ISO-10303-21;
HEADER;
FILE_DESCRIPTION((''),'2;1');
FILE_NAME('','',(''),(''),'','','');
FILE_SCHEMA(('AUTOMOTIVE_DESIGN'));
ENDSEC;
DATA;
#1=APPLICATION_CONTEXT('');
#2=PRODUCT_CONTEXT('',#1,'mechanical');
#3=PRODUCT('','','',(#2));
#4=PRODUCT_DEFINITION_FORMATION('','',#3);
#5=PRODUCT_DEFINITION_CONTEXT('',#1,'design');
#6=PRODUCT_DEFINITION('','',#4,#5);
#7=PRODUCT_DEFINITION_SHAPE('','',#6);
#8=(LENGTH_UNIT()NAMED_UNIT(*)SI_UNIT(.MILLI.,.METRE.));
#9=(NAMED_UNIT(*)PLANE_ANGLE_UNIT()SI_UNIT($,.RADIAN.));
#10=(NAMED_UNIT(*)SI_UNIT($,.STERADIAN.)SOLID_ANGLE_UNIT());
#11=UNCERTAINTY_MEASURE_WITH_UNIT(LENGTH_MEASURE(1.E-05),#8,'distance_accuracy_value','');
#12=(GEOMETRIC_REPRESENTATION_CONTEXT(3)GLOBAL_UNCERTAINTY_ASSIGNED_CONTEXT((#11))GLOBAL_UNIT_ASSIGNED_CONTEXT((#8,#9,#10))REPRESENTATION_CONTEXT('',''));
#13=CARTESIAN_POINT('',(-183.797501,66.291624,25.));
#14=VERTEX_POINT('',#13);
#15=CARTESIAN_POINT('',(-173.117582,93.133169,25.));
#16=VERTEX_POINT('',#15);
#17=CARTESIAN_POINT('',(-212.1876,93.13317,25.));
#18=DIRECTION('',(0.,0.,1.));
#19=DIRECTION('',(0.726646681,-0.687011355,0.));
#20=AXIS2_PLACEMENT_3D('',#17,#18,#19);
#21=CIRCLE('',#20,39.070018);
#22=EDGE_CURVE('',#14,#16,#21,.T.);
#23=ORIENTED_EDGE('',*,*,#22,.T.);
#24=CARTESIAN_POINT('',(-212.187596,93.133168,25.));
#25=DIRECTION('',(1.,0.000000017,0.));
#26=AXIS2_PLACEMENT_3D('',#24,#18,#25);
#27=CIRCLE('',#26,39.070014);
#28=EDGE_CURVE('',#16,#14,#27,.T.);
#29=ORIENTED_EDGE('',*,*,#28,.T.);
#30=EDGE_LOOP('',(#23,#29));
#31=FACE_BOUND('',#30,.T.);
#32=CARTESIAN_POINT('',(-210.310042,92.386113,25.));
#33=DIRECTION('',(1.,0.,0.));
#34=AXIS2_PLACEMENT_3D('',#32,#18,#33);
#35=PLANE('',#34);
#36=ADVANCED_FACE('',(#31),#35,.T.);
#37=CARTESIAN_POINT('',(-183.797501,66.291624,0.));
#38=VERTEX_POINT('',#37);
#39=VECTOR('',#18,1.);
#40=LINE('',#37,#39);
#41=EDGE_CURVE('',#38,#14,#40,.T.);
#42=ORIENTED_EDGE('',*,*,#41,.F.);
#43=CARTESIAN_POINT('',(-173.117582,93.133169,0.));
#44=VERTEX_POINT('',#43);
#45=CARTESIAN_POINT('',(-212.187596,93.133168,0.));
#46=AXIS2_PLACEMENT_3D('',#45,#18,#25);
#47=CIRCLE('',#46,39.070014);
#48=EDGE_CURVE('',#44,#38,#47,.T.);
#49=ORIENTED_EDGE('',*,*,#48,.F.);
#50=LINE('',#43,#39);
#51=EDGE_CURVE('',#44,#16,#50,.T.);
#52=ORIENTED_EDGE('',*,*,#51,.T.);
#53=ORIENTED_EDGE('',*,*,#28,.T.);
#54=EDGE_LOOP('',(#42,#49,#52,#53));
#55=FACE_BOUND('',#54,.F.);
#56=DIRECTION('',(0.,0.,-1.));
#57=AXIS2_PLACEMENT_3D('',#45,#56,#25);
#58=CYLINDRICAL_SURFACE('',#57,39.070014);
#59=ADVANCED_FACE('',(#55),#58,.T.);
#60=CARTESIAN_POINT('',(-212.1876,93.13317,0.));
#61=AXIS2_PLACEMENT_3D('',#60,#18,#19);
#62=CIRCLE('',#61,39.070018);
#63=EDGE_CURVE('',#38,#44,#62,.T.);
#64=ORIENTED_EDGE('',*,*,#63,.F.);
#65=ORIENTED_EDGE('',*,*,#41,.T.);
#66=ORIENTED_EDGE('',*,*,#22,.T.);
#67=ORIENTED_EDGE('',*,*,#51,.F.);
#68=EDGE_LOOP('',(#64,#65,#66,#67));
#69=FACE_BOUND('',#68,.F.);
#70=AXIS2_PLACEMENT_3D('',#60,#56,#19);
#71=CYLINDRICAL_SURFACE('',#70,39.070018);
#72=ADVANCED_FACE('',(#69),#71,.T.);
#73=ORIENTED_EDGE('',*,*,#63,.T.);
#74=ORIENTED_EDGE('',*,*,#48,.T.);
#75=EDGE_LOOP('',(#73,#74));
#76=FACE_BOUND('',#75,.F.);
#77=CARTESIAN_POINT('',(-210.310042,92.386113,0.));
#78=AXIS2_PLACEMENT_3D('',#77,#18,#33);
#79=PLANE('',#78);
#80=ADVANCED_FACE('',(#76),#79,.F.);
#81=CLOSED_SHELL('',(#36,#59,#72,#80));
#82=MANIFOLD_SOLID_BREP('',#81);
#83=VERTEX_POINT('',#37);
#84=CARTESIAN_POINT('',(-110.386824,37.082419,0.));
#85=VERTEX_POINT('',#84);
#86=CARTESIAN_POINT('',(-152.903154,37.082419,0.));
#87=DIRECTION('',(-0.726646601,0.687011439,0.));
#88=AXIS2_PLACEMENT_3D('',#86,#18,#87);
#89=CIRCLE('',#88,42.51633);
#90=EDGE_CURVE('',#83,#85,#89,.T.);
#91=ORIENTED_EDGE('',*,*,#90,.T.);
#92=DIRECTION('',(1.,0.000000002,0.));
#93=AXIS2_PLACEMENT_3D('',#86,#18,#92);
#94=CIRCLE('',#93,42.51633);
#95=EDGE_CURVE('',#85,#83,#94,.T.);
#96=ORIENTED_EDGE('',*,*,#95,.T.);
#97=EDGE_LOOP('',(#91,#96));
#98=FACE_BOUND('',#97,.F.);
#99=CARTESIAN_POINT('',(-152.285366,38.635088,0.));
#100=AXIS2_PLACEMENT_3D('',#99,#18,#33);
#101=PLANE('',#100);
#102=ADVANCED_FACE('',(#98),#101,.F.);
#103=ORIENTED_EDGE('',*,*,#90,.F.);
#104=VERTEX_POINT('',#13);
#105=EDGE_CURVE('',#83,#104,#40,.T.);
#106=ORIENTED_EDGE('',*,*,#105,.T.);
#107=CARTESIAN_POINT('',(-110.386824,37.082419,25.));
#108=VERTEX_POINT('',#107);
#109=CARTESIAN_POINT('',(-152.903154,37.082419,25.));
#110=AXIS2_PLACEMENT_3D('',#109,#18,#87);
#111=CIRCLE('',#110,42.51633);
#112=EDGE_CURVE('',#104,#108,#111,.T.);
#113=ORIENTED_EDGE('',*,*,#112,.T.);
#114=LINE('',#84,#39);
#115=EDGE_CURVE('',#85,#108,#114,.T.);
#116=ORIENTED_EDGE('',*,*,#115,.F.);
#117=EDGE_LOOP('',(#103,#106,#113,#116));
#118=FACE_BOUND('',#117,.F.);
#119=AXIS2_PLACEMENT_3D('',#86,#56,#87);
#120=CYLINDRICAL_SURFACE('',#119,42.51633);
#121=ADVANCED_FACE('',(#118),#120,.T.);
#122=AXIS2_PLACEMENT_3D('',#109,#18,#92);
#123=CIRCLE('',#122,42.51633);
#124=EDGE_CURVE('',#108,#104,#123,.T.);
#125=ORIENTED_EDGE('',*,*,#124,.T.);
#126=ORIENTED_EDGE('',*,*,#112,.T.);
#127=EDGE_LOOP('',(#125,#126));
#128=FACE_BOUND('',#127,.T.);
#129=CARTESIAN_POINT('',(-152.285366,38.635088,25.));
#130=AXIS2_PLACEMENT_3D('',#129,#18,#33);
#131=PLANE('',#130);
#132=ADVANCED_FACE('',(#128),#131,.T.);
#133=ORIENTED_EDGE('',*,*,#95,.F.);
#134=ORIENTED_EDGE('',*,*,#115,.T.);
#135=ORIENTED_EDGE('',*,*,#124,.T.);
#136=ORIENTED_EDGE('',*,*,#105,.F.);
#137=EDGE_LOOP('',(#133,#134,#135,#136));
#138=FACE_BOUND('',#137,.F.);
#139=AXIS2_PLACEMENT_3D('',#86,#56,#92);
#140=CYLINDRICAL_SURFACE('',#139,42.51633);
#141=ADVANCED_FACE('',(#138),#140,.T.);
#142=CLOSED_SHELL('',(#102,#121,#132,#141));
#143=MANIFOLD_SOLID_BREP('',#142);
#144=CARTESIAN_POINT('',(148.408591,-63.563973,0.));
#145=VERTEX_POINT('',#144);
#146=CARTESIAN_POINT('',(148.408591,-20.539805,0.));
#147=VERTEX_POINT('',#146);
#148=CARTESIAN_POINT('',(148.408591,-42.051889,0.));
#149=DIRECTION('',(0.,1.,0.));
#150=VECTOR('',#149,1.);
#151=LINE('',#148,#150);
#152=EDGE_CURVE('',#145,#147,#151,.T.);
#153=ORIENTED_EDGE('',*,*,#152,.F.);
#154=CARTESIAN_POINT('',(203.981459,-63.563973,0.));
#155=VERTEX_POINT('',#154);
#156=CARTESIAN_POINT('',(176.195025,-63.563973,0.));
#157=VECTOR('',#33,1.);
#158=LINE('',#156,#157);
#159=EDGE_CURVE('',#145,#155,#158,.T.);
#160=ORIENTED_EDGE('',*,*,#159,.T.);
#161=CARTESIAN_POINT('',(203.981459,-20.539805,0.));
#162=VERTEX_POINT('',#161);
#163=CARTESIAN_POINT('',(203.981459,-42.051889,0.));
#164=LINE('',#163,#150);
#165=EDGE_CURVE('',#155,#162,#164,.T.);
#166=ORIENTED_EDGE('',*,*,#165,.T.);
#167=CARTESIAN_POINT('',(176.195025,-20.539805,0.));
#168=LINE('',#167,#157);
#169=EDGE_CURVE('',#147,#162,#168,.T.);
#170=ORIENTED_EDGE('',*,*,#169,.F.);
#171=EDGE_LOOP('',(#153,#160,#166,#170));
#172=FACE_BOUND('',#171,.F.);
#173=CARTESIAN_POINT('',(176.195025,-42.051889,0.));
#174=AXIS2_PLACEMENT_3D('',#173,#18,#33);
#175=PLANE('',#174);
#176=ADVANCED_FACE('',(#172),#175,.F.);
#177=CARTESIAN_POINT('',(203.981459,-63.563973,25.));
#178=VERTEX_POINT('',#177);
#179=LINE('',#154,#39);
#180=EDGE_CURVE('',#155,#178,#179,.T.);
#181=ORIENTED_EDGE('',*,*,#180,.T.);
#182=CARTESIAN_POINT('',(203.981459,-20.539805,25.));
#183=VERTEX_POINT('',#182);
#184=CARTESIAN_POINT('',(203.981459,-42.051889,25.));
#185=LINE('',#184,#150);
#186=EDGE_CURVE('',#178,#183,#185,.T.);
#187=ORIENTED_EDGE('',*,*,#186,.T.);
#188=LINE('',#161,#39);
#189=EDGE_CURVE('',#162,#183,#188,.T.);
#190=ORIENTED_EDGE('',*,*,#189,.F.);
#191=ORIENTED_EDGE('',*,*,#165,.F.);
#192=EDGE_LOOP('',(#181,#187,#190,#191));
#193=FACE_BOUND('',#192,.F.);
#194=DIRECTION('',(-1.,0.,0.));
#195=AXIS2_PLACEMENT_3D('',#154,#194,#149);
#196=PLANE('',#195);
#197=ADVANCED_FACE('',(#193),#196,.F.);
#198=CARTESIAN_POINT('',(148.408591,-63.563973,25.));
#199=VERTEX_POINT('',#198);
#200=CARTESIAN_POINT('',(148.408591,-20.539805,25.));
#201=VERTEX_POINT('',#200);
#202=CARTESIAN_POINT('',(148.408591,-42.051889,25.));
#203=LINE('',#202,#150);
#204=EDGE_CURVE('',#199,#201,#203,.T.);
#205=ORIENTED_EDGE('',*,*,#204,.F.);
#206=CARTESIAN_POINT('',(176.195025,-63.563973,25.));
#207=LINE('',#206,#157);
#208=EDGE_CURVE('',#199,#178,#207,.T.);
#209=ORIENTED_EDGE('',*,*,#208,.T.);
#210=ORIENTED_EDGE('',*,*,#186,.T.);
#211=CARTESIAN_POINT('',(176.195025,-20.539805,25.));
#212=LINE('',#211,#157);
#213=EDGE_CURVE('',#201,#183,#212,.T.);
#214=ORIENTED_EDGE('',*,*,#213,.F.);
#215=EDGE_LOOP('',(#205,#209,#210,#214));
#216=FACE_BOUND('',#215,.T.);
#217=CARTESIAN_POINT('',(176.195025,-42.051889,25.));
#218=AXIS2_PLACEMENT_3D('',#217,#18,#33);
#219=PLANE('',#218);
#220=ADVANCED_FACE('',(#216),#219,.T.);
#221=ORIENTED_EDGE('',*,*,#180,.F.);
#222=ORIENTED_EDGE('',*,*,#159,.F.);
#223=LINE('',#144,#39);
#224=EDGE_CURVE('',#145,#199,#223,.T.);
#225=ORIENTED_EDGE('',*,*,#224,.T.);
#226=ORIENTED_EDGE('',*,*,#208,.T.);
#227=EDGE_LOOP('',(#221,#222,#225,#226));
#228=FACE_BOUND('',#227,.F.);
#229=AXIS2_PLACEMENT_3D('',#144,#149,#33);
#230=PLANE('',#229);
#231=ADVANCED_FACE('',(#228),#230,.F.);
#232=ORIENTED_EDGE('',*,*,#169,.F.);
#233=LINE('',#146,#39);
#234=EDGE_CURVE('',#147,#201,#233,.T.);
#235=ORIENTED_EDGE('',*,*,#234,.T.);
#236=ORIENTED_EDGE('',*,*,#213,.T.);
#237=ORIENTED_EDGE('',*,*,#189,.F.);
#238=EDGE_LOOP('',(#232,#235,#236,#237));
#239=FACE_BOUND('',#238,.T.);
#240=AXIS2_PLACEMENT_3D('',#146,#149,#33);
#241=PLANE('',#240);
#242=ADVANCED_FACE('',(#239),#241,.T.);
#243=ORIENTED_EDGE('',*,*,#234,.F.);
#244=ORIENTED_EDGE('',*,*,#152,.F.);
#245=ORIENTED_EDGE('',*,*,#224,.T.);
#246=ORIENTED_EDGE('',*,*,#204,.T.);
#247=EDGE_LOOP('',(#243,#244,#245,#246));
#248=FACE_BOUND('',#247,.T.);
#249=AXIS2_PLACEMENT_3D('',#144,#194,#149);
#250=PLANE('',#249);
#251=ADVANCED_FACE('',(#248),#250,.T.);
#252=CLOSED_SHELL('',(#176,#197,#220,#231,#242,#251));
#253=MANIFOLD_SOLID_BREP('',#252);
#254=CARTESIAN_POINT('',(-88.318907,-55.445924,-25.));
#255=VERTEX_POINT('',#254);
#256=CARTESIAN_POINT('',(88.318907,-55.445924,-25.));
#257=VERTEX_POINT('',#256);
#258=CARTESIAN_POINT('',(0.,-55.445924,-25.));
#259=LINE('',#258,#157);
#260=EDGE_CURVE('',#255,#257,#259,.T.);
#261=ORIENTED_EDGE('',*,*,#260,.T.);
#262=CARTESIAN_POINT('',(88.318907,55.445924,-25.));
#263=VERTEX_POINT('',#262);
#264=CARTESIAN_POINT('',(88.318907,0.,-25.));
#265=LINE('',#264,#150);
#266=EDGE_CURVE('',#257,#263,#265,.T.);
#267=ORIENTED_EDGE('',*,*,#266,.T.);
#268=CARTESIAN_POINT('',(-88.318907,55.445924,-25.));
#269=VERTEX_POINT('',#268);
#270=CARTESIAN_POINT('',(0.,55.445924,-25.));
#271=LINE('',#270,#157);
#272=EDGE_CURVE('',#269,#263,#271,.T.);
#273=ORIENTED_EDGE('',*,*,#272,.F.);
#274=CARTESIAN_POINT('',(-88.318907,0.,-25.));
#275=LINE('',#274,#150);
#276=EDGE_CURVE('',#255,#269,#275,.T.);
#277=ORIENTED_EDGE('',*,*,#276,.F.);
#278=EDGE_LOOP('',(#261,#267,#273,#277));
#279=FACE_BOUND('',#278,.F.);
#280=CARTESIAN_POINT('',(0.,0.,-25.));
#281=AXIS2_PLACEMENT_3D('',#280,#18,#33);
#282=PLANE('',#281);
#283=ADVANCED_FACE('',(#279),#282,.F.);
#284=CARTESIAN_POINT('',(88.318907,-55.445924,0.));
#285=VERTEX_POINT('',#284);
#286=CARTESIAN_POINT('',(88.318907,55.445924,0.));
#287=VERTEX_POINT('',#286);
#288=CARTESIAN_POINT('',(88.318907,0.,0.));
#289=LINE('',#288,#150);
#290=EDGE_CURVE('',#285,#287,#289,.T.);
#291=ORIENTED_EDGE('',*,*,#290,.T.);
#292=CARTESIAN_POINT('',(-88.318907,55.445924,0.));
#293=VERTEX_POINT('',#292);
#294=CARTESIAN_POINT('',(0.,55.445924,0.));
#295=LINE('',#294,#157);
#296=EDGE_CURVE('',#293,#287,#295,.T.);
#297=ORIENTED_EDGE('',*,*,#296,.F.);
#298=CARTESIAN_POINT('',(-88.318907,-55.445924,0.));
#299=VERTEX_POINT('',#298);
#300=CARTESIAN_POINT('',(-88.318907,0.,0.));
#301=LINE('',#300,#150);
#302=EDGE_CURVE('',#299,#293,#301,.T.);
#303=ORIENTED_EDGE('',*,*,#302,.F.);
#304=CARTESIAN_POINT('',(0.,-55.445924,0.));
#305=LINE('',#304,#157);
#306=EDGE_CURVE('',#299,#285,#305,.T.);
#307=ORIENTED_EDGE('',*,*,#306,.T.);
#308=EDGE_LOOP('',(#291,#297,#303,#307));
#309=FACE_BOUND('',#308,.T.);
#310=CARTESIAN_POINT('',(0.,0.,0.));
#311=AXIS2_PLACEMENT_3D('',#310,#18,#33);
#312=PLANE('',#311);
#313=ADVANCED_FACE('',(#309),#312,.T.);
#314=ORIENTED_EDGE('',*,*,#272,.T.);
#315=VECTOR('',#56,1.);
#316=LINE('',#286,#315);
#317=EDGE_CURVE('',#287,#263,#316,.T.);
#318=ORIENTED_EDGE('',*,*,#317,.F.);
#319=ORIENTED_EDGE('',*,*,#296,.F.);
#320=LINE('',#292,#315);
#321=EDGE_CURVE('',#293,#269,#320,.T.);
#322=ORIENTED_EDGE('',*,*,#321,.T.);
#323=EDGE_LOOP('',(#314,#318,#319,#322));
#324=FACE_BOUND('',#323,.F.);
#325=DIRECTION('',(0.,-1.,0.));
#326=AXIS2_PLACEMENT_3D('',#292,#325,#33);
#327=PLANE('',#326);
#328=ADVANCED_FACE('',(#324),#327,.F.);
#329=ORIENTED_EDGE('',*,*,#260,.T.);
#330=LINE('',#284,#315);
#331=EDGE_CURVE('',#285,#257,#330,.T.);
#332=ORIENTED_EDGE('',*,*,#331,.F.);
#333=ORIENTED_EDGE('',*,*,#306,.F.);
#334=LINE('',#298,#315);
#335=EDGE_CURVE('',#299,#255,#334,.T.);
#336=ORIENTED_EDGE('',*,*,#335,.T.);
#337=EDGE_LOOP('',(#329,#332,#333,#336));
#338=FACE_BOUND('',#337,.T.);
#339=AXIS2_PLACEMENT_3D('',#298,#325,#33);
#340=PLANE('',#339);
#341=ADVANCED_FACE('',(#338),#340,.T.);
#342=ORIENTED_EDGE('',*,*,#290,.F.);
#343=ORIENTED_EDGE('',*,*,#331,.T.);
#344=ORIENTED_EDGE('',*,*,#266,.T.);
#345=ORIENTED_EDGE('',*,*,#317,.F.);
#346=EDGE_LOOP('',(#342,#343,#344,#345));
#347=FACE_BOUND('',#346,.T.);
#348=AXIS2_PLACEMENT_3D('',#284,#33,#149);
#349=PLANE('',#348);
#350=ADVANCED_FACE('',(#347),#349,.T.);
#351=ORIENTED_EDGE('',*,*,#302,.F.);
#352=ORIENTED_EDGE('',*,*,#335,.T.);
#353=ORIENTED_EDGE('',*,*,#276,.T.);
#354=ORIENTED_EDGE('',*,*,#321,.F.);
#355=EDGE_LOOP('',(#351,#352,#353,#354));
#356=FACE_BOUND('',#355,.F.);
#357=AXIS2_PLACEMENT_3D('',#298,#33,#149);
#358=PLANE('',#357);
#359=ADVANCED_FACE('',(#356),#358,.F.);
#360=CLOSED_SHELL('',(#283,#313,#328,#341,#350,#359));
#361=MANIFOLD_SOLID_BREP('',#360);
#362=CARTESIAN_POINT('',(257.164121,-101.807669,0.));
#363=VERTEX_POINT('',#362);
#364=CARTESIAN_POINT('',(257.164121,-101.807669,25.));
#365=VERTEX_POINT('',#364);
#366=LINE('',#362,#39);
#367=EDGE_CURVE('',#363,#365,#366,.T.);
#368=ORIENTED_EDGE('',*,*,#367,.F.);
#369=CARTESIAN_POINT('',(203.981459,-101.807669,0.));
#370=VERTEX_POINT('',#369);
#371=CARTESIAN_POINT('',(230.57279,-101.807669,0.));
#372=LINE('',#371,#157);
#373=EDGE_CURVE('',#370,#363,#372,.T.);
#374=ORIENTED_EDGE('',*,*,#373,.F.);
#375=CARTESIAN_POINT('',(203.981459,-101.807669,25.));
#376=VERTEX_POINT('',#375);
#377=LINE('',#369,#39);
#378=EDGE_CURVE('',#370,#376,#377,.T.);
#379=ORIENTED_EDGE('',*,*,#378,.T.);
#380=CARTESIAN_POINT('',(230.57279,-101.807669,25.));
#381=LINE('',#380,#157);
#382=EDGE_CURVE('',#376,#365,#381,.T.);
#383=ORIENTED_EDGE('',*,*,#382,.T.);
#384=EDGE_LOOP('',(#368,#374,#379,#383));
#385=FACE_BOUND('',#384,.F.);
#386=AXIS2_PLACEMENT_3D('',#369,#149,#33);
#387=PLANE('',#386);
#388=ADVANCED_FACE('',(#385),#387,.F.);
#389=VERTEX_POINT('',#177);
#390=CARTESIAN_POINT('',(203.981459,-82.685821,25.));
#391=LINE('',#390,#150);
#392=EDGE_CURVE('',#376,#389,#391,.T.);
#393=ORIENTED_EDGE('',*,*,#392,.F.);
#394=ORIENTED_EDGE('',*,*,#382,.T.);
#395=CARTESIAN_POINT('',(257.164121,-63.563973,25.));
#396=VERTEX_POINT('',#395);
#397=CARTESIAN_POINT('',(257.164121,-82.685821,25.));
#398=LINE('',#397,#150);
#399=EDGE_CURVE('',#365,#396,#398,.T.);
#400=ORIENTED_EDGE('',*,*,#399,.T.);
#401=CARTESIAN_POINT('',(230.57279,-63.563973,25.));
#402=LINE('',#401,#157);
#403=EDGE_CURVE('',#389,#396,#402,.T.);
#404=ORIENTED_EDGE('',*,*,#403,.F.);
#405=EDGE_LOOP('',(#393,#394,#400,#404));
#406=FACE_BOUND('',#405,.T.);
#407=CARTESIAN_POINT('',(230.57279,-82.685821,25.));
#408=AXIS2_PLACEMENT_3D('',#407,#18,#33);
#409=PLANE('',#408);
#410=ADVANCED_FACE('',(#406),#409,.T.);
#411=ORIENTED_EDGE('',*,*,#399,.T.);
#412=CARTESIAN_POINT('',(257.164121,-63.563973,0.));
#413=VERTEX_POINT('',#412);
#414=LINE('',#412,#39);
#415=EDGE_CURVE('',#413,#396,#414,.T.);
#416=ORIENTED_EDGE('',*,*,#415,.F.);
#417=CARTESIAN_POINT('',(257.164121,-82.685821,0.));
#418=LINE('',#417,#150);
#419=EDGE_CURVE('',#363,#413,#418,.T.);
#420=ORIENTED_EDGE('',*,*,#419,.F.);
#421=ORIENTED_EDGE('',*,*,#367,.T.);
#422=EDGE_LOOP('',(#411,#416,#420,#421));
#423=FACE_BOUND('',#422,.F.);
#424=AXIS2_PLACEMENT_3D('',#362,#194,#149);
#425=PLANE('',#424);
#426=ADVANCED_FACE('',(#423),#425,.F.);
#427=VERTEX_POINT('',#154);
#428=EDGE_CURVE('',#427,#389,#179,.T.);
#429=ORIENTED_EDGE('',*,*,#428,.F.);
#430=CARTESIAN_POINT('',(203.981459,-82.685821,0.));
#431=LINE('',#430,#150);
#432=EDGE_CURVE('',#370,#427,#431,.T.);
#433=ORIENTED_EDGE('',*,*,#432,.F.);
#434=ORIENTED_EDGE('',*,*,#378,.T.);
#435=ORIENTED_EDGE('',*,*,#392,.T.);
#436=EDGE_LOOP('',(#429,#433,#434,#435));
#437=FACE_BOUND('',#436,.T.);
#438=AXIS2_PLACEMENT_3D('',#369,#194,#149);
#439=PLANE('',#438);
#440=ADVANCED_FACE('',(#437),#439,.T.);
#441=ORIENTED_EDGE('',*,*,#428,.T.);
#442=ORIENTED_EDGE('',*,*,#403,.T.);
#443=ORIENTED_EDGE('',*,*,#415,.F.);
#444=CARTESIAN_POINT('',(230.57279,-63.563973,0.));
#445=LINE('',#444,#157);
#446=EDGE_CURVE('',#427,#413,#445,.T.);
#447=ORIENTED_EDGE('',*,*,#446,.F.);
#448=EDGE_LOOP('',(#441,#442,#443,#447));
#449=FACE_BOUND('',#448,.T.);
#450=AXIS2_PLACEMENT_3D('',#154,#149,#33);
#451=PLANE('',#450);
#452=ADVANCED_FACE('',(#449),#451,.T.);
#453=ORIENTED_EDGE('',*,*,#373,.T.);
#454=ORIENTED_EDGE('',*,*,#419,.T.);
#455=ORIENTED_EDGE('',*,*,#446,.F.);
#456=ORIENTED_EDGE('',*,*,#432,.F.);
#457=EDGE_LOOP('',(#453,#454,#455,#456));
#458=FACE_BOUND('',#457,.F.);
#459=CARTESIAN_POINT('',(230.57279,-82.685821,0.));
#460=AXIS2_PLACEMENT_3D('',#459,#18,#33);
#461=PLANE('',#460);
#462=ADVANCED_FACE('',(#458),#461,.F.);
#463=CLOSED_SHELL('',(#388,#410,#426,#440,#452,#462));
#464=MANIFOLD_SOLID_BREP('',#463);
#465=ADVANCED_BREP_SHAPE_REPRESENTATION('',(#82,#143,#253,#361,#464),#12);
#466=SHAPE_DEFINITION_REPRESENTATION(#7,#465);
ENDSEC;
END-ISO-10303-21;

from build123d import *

# Parameters (mm, degrees)
F0_W     = 176.637814
F0_H     = 110.891848
F1_DEPTH = 25
F2_W     = 53.182662
F2_H     = 38.243696
F2_W_2   = 55.572867
F2_H_2   = 43.024168
F3_DEPTH = 25
F5_DEPTH = 25


with BuildPart() as f1:
    # F0 (on Top) → F1 (new body)
    with BuildSketch(Plane.XY):
        Rectangle(F0_W, F0_H)
    extrude(amount=-F1_DEPTH)


with BuildPart() as f3:
    # F2 (on Top) → F3 (new body)
    with BuildSketch(Plane.XY):
        with Locations((230.57279, -82.685821)):
            Rectangle(F2_W, F2_H)
        with Locations((176.195025, -42.051889)):
            Rectangle(F2_W_2, F2_H_2)
    extrude(amount=F3_DEPTH)


with BuildPart() as f5:
    # F4 (on Top) → F5 (new body)
    with BuildSketch(Plane.XY):
        with BuildLine():
            ThreePointArc((-183.797501, 66.291624), (-175.885617, 78.689059), (-173.117582, 93.133169))
            ThreePointArc((-173.117582, 93.133169), (-248.489575, 107.577279), (-183.797501, 66.291624))
        make_face()
        with BuildLine():
            ThreePointArc((-110.386824, 37.082419), (-137.184947, 76.586549), (-183.797501, 66.291624))
            ThreePointArc((-183.797501, 66.291624), (-168.621362, -2.421711), (-110.386824, 37.082419))
        make_face()
    extrude(amount=F5_DEPTH)


solid = Compound([f1.part, f3.part, f5.part])
